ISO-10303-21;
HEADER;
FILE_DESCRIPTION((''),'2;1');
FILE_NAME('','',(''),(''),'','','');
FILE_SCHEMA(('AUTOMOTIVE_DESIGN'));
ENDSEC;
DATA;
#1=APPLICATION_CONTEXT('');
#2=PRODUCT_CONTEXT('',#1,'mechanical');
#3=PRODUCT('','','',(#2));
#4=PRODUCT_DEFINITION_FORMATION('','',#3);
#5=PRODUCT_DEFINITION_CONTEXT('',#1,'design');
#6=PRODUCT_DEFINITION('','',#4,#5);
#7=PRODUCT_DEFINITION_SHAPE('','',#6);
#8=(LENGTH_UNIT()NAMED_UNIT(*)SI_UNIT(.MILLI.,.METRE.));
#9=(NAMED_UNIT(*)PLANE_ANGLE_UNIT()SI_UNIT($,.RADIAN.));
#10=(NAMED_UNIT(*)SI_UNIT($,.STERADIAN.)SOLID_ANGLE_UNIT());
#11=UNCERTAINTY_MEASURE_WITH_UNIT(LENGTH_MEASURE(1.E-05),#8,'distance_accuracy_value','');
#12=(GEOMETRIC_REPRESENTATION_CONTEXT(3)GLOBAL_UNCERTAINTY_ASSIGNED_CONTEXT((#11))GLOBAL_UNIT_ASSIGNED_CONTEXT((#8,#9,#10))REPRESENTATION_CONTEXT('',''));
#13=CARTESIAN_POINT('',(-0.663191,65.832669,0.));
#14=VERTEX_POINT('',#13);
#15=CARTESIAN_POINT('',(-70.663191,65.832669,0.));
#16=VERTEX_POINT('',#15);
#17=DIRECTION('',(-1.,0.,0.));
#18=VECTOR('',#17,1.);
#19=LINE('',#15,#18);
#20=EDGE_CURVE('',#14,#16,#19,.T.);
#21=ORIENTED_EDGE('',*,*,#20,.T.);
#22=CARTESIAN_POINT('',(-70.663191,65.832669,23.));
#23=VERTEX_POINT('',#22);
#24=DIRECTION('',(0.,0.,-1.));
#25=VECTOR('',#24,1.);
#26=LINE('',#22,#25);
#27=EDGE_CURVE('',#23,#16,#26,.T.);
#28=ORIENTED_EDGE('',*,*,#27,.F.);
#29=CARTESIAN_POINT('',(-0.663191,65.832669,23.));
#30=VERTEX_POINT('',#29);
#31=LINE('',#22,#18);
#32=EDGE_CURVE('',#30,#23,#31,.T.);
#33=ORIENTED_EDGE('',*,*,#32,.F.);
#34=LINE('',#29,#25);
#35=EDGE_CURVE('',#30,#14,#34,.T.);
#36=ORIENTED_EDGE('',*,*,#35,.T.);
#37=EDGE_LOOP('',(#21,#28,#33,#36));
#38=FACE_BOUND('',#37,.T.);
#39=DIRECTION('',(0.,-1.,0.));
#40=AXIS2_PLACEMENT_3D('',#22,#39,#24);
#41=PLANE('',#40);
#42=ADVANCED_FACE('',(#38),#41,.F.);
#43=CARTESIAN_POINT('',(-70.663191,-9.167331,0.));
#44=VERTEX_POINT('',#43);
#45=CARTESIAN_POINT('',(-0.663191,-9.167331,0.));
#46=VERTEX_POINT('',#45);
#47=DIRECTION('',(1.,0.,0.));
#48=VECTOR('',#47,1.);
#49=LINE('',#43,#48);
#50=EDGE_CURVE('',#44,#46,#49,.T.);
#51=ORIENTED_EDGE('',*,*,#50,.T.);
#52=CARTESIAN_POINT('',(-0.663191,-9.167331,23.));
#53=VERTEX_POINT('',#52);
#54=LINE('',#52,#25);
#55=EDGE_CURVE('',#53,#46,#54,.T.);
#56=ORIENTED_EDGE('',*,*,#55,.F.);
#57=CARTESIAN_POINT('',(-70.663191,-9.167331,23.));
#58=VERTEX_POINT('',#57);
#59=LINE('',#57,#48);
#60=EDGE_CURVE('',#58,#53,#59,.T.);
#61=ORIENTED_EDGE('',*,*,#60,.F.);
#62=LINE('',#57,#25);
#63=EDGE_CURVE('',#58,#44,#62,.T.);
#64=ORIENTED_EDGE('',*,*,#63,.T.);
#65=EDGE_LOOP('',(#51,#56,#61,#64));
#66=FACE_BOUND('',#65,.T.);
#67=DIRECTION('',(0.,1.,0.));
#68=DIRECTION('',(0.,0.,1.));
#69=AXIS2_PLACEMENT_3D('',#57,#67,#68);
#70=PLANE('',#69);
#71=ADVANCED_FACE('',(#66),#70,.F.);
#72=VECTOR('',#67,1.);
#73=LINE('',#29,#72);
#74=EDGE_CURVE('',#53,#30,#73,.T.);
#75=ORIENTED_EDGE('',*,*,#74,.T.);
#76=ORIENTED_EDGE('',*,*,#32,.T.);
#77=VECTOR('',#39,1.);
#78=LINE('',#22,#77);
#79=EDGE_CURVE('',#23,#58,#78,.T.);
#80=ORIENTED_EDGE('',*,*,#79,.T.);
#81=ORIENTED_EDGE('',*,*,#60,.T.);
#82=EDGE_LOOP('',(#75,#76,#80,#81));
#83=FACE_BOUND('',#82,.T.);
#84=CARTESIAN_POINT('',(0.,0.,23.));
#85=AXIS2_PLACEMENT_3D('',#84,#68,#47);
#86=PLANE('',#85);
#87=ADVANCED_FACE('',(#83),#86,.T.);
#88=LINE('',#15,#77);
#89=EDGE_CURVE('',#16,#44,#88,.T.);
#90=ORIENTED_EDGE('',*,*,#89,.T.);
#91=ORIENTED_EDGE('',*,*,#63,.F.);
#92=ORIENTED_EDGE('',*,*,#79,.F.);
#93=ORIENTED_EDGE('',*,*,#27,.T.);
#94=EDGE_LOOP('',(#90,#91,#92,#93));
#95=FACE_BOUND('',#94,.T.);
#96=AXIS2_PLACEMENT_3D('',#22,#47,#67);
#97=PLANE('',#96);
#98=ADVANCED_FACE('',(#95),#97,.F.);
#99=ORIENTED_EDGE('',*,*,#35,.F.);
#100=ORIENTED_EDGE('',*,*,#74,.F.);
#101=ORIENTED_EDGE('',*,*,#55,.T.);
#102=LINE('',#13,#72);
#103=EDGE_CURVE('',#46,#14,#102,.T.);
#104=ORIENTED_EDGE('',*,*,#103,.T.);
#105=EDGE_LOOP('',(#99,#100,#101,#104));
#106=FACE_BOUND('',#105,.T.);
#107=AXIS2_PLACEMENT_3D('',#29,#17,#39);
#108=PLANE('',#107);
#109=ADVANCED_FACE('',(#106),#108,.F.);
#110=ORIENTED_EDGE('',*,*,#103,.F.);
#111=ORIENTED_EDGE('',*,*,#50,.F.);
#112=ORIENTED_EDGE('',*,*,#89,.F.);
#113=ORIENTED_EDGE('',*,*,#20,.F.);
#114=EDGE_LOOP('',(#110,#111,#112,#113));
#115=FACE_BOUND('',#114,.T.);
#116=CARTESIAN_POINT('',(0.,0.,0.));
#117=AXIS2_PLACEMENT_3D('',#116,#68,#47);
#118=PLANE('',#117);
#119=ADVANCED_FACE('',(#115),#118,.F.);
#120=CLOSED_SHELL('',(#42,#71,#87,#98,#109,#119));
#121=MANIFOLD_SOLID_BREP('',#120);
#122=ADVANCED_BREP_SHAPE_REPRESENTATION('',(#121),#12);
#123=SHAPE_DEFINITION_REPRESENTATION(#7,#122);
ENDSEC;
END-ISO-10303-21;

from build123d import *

# Parameters (mm, degrees)
ESBO_O1_W                = 70
ESBO_O1_H                = 75
RESSALTO_EXTRUS_O1_DEPTH = 23


with BuildPart() as part:
    # Esboço1 → Ressalto-extrusão1 (new body)
    with BuildSketch(Plane.XY):
        with Locations((-35.663190528, 28.332668977)):
            Rectangle(ESBO_O1_W, ESBO_O1_H)
    extrude(amount=RESSALTO_EXTRUS_O1_DEPTH)


solid = part.part
